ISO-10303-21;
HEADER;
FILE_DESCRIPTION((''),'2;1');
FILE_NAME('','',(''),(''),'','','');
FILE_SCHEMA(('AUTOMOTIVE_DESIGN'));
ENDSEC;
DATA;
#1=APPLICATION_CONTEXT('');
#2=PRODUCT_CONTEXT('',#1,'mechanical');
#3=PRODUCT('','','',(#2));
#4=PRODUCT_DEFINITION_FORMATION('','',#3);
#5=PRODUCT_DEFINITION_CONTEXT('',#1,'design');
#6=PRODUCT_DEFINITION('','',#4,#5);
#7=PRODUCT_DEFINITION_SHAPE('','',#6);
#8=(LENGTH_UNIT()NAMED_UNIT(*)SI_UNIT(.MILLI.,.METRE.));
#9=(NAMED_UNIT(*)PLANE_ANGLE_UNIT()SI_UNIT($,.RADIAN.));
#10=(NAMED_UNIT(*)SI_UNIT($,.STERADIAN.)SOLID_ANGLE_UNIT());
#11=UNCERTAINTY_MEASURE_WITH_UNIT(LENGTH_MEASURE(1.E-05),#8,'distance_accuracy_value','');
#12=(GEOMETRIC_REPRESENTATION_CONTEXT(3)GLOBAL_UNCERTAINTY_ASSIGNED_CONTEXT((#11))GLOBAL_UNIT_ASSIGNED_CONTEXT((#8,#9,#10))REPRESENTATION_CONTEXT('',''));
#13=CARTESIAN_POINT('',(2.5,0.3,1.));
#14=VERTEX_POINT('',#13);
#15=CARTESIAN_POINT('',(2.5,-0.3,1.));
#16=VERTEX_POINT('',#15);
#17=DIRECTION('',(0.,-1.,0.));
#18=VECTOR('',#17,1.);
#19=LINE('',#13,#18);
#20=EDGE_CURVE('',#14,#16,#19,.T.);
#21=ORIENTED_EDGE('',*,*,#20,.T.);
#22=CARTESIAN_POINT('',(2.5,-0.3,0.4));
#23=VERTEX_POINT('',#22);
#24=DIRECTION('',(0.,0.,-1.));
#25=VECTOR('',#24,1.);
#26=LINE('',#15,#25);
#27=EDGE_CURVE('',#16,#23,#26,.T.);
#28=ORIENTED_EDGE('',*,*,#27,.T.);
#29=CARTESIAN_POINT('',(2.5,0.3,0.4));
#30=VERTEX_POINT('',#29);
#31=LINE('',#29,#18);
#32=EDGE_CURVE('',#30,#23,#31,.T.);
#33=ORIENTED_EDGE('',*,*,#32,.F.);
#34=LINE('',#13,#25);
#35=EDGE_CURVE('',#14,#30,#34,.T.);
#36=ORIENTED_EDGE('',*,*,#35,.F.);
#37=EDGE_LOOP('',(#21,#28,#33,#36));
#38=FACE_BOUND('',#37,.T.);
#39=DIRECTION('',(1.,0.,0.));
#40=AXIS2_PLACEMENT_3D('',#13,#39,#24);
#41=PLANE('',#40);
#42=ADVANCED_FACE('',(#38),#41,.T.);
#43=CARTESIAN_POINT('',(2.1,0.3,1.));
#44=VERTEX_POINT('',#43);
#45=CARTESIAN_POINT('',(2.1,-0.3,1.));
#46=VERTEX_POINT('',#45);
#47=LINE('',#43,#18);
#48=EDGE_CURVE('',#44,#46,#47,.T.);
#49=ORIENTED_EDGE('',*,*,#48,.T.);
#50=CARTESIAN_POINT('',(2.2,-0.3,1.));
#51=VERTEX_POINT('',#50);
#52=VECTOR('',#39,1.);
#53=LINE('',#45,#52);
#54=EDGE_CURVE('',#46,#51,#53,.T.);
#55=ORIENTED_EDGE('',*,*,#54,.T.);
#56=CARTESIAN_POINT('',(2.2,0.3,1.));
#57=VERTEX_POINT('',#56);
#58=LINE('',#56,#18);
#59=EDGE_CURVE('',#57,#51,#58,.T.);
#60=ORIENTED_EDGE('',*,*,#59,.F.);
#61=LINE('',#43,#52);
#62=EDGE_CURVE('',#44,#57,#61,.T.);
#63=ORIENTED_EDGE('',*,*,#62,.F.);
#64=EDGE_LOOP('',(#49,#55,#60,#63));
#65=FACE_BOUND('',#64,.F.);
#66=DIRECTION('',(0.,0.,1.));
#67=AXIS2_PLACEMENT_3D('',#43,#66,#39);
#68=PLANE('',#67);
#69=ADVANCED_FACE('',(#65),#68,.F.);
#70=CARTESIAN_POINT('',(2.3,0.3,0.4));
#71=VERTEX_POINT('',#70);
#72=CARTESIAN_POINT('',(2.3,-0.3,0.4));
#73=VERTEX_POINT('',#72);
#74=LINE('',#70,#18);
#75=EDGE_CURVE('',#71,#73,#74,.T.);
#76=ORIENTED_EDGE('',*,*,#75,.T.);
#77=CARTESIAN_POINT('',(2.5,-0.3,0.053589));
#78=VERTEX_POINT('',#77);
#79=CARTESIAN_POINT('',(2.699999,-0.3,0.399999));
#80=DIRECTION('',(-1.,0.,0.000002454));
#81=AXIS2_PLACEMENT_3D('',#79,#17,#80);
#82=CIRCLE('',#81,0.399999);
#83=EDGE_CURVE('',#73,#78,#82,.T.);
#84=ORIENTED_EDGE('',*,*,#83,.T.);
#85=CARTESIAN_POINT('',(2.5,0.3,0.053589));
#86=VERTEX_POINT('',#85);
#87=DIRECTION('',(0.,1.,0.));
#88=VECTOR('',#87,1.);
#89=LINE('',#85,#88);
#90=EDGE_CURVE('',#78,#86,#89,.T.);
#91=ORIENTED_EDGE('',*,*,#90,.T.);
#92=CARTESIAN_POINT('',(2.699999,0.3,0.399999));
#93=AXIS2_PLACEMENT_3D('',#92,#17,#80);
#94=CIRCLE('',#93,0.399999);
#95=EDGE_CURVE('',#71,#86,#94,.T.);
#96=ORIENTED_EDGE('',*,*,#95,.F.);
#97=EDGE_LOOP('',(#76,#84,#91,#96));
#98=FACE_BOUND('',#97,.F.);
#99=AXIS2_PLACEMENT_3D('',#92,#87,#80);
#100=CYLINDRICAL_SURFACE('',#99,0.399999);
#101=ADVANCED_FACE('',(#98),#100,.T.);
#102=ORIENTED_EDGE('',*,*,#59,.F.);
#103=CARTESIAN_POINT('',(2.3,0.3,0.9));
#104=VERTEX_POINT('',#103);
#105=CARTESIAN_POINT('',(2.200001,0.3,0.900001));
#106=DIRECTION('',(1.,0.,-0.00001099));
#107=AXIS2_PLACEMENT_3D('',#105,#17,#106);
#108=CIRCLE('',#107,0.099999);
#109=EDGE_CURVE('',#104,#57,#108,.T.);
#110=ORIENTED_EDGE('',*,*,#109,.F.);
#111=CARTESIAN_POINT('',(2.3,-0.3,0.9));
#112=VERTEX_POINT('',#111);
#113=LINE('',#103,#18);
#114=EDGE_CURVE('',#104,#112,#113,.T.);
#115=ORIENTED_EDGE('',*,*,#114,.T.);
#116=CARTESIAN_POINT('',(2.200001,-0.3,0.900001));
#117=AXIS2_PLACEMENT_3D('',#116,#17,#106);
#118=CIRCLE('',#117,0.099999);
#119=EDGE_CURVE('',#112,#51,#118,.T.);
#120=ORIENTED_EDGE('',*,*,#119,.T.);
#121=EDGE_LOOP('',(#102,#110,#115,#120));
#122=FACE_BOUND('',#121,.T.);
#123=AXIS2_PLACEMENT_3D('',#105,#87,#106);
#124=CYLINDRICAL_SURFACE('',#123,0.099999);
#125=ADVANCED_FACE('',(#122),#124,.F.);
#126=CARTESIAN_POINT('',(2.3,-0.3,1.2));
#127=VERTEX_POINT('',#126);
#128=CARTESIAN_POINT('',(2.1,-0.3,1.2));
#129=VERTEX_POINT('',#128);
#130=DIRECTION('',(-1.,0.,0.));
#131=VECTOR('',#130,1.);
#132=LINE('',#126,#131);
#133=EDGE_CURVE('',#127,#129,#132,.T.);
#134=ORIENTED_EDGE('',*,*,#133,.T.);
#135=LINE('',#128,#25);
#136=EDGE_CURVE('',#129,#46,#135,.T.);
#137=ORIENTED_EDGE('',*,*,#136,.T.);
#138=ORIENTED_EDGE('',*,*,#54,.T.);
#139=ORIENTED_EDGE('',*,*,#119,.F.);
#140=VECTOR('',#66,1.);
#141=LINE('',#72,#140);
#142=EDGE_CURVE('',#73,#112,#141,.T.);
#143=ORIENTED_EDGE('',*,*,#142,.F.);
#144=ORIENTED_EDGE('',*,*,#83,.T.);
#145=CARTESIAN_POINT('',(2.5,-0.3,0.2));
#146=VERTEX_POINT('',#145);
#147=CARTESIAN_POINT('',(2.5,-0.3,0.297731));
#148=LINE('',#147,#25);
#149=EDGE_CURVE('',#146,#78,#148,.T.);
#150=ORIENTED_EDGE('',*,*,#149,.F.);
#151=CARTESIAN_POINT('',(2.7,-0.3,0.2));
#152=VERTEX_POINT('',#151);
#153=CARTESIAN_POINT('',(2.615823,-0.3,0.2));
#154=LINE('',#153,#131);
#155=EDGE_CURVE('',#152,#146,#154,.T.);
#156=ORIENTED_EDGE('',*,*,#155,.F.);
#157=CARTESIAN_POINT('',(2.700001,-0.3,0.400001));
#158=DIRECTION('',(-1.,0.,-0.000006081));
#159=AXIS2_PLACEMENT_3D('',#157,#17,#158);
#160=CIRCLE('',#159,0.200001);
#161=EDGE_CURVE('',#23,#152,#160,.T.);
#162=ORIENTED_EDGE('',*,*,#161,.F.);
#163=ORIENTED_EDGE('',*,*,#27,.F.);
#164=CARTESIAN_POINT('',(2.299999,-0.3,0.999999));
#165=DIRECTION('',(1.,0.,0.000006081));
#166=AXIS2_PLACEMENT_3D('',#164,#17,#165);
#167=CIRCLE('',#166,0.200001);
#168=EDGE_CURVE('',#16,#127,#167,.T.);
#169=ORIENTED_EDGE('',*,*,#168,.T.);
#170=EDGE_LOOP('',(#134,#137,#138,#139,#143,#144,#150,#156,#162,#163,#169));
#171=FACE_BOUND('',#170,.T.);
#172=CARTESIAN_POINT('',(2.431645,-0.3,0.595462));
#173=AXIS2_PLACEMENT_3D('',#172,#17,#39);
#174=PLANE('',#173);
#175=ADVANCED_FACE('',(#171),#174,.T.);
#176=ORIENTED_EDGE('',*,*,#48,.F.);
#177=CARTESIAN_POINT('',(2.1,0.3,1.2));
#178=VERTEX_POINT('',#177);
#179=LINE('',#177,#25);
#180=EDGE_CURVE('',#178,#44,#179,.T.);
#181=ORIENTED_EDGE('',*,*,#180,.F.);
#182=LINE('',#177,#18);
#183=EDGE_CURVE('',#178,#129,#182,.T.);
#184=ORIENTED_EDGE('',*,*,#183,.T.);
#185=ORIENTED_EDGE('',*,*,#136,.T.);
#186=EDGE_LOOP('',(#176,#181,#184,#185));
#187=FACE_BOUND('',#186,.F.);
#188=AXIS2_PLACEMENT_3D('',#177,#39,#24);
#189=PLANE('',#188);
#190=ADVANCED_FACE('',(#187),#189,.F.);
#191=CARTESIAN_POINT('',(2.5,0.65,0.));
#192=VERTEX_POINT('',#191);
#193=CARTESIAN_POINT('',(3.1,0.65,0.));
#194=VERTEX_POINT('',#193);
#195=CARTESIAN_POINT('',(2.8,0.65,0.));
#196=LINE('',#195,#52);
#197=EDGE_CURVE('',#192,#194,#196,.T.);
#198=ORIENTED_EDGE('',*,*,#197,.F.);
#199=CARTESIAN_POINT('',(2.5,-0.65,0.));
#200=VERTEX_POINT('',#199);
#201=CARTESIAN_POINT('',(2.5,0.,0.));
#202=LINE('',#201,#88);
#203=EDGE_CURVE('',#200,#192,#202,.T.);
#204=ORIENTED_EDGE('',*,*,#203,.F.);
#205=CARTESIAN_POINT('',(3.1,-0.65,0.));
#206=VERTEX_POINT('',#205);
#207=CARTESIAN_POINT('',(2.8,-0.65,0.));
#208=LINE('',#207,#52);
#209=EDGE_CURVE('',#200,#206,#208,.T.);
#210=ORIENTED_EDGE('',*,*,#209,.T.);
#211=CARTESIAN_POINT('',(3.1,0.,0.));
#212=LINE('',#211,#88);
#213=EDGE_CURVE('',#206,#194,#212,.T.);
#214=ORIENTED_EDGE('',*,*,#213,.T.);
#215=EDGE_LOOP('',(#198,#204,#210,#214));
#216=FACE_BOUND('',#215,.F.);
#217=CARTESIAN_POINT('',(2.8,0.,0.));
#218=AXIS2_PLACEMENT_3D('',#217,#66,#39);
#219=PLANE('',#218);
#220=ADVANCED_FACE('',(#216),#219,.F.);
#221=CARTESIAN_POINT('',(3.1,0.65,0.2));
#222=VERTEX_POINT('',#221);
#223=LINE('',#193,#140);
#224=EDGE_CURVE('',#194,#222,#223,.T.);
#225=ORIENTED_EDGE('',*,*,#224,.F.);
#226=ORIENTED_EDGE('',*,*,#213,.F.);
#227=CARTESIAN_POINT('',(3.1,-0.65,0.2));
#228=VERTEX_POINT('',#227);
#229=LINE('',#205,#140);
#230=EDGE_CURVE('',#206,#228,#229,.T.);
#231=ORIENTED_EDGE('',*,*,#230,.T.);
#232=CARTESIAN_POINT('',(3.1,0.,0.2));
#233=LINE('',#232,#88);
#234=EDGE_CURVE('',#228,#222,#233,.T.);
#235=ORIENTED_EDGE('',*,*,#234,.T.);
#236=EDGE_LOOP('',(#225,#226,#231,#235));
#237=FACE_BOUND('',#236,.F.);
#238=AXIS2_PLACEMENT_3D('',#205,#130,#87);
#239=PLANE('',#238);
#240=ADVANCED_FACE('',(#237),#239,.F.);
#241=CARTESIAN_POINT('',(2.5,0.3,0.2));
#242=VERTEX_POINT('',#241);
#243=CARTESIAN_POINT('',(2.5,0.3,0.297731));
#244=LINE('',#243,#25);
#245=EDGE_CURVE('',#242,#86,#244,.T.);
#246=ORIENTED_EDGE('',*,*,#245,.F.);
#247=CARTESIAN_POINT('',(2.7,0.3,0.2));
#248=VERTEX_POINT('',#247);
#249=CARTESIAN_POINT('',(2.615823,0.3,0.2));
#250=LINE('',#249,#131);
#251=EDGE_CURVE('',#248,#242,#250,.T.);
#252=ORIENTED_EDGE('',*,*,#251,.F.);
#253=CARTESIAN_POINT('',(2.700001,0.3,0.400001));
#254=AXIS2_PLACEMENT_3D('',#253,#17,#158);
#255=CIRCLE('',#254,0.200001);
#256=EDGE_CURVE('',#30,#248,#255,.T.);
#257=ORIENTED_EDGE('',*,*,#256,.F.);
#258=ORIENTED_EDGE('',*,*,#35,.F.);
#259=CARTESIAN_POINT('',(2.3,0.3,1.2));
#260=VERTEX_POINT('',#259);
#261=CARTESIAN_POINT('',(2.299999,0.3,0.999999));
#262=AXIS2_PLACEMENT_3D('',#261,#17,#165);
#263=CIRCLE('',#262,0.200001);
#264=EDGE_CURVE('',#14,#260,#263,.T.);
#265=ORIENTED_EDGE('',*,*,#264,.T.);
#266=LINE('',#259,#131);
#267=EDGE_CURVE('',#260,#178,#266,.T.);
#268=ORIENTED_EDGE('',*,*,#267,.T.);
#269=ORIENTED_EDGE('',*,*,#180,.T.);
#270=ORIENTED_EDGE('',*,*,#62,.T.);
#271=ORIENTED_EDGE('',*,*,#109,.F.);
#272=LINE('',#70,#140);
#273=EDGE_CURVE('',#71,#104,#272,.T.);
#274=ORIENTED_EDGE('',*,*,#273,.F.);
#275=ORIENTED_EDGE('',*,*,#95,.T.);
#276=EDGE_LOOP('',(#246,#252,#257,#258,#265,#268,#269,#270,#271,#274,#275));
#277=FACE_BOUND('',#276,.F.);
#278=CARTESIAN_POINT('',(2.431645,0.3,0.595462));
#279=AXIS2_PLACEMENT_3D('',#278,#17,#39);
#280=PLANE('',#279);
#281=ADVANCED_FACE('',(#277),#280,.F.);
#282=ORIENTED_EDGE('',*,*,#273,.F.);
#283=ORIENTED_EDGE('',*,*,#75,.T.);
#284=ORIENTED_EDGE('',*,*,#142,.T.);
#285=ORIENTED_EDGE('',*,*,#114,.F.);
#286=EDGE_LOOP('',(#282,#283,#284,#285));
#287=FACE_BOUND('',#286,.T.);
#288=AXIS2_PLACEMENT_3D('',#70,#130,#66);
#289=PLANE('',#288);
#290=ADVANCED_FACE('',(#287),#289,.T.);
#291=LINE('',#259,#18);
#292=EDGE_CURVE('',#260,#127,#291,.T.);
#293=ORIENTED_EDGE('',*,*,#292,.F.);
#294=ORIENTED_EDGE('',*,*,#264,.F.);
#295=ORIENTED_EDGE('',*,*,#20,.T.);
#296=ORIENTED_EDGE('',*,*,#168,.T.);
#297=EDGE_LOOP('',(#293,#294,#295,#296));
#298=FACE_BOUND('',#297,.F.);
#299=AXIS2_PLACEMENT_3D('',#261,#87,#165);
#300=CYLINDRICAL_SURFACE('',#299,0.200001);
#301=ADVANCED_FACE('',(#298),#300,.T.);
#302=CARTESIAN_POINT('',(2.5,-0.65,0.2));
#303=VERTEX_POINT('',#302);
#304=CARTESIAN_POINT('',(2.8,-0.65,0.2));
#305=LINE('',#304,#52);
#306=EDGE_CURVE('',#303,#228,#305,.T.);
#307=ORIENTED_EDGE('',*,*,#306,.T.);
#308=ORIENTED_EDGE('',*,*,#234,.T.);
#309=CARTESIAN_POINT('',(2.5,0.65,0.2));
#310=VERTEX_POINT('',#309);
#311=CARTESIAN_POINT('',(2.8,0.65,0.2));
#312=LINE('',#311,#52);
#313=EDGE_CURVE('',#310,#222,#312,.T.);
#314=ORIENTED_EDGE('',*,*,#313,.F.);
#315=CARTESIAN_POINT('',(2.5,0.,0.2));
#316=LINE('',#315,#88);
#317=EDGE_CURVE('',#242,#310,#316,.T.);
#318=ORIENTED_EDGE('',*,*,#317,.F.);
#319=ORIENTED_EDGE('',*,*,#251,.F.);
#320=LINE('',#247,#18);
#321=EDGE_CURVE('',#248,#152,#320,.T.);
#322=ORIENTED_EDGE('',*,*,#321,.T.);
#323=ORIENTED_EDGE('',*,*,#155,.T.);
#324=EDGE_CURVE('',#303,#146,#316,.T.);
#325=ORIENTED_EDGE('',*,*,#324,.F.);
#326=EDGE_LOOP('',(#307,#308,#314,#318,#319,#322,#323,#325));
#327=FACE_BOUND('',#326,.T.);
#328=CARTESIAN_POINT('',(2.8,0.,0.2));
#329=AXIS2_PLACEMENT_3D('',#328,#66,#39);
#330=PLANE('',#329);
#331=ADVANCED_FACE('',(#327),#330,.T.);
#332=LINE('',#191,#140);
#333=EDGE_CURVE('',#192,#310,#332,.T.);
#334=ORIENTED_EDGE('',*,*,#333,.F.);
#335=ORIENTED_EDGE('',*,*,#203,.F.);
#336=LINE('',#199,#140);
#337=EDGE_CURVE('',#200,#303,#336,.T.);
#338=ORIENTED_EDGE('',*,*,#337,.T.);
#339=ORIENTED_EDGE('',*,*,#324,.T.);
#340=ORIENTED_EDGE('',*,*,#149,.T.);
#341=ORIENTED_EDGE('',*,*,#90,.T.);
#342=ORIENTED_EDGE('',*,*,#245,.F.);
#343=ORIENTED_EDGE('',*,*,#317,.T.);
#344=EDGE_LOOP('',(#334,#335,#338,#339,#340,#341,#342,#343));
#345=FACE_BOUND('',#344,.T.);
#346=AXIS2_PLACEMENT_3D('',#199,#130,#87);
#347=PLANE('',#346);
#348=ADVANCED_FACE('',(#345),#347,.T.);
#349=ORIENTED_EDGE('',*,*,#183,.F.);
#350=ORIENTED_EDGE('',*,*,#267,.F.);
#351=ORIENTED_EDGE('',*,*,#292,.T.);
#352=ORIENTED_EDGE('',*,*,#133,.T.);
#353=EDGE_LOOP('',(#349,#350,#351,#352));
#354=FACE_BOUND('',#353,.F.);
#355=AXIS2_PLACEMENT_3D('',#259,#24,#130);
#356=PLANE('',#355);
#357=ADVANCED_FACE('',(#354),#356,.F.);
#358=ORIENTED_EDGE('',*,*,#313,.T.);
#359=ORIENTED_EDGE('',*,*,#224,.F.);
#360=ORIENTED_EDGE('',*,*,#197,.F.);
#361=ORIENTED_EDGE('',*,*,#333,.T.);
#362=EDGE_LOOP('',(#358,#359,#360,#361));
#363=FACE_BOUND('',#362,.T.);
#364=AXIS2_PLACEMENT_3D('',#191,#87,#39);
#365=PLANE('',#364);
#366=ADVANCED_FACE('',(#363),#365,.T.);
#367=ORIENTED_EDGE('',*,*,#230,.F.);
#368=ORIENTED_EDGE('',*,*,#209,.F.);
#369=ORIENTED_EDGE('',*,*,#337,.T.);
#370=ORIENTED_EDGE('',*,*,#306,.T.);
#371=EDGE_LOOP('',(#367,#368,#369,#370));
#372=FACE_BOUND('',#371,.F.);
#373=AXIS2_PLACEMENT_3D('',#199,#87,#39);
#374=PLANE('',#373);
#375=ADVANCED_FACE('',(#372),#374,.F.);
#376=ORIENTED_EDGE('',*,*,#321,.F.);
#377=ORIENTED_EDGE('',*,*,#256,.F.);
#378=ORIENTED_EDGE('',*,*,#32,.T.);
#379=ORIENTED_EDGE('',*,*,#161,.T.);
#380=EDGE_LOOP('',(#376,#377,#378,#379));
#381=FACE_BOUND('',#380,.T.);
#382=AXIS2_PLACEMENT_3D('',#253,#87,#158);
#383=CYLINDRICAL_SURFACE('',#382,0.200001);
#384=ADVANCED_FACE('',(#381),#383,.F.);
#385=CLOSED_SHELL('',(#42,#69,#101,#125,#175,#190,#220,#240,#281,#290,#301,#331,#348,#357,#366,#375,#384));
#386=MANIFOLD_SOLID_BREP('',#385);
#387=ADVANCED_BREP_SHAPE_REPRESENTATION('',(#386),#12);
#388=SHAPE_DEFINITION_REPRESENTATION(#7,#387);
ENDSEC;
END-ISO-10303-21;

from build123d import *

# Parameters (mm, degrees)
BOX036_W     = 0.6
BOX036_H     = 1.3
BOX036_DEPTH = 0.2
PAD001_DEPTH = 0.6


with BuildPart() as kub036:
    # Box036 → Box036 (new body)
    with BuildSketch(Plane(origin=(2.5, -0.65, 0), x_dir=(1, 0, 0), z_dir=(0, 0, 1))):
        with Locations((0.3, 0.65)):
            Rectangle(BOX036_W, BOX036_H)
    extrude(amount=BOX036_DEPTH)


with BuildPart() as fusion004:
    # Sketch001 → Pad001 (new body)
    with BuildSketch(Plane.XZ):
        with BuildLine():
            ThreePointArc((3.7, 1), (3.641421, 1.141421), (3.5, 1.2))
            Line((3.5, 1.2), (3.3, 1.2))
            Line((3.3, 1.2), (3.3, 1))
            Line((3.3, 1), (3.4, 1))
            ThreePointArc((3.5, 0.9), (3.470711, 0.970711), (3.4, 1))
            Line((3.5, 0.4), (3.5, 0.9))
            ThreePointArc((3.5, 0.4), (3.617157, 0.117157), (3.9, 0))
            Line((4, 0), (3.9, 0))
            Line((4, 0.2), (4, 0))
            Line((3.9, 0.2), (4, 0.2))
            ThreePointArc((3.7, 0.4), (3.758579, 0.258579), (3.9, 0.2))
            Line((3.7, 1), (3.7, 0.4))
        make_face()
    extrude(amount=PAD001_DEPTH)


with BuildPart() as fusion004_1:
    # Body001 placement: moved
    add(fusion004.part.moved(Location((-1.2, 0.3, 0))))

    # Fusion004: union Kub036
    add(kub036.part)


solid = fusion004_1.part
